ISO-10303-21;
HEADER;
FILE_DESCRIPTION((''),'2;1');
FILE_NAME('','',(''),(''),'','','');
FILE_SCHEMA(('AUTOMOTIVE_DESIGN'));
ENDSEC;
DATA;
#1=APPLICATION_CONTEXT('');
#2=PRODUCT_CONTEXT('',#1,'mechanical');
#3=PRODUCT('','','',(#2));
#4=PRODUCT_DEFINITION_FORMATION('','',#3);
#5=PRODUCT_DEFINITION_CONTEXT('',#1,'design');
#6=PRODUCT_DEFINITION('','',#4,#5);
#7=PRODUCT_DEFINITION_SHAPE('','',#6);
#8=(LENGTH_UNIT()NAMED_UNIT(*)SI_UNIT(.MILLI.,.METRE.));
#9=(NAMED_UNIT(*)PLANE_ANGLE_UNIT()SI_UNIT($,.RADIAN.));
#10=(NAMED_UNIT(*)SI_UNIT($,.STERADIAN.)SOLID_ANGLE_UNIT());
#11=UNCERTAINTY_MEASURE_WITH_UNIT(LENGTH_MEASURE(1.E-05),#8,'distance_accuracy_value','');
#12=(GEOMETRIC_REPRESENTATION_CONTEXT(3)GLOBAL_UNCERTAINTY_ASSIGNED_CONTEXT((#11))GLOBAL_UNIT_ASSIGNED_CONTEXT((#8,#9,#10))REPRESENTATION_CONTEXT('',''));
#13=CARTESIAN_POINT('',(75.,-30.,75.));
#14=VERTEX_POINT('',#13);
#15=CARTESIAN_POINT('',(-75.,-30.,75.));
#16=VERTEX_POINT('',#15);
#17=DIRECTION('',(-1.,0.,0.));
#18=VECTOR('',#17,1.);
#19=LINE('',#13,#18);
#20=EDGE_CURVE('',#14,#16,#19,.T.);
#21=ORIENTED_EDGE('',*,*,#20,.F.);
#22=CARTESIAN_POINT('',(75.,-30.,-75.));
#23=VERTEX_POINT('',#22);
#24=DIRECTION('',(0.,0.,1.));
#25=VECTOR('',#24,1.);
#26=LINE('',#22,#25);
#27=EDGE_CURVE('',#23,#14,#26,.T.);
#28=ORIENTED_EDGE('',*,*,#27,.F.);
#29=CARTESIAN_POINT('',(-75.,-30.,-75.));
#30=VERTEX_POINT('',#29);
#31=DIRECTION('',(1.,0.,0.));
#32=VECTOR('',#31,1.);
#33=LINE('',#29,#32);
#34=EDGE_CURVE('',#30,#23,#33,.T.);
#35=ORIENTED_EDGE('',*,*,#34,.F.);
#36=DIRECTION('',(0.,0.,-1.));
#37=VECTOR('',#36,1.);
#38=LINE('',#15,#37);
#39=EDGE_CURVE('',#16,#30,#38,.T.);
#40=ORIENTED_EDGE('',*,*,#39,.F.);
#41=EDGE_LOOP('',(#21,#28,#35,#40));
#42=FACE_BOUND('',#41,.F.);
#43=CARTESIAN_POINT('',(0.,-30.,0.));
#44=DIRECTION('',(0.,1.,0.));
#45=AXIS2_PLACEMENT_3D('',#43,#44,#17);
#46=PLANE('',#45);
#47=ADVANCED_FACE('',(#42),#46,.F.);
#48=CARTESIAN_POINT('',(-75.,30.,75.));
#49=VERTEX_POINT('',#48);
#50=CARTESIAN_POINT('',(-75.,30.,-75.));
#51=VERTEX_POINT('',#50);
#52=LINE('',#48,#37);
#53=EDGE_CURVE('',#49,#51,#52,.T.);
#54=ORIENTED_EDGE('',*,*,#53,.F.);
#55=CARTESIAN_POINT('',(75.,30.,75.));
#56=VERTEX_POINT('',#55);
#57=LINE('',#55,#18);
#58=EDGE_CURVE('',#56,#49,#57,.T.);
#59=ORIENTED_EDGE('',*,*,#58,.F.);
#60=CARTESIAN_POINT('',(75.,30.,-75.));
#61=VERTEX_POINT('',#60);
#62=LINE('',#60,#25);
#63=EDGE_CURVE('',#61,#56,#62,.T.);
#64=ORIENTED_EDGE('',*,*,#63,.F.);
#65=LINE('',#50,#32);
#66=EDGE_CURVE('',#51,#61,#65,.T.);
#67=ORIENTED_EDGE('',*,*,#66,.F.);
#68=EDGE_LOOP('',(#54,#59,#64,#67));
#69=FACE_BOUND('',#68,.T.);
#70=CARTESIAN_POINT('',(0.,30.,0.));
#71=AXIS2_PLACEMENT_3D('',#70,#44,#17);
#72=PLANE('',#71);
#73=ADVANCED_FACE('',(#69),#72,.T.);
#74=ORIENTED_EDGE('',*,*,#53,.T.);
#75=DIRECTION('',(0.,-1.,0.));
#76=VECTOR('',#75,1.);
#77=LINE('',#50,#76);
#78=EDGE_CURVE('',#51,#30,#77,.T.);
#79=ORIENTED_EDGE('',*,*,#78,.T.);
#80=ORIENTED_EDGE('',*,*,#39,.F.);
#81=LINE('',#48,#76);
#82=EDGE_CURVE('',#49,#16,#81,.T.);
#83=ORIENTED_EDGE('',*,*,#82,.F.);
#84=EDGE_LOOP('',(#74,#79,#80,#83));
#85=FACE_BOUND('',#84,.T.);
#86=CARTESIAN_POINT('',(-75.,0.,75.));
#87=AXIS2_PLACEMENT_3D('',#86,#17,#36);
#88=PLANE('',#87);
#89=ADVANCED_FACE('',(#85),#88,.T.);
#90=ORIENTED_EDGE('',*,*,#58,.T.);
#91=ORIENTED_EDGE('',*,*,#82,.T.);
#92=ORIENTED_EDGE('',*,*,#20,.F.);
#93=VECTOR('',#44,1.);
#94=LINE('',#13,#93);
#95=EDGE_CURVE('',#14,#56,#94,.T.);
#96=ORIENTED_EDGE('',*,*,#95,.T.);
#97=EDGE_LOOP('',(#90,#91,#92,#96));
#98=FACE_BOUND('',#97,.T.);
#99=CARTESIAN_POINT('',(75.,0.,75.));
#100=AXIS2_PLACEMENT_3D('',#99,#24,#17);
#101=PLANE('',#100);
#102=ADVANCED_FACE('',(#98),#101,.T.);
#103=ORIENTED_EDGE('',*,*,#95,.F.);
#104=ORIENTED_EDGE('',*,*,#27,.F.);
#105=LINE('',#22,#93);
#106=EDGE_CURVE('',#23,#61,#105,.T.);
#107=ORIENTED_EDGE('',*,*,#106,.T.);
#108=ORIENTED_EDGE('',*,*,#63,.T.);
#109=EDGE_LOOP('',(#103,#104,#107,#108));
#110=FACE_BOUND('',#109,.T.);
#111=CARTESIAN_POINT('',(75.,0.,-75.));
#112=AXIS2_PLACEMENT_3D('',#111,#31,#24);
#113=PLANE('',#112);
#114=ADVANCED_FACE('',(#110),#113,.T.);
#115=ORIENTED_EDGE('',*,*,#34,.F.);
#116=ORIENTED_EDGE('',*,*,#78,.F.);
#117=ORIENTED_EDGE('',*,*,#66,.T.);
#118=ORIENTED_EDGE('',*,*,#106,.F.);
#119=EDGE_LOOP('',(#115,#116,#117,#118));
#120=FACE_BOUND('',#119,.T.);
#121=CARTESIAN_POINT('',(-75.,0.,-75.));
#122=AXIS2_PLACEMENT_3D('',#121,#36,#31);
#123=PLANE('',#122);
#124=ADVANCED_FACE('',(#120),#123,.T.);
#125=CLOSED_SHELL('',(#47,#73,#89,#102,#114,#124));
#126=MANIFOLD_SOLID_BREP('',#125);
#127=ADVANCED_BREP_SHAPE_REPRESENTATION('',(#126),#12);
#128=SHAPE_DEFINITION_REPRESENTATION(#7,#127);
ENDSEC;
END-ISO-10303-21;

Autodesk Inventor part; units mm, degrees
ref_plane "YZ Plane" through (0, 0, 0) normal (1, 0, 0) x (0, 1, 0)
ref_plane "XZ Plane" through (0, 0, 0) normal (0, 1, 0) x (-1, 0, 0)
ref_plane "XY Plane" through (0, 0, 0) normal (0, 0, 1) x (1, 0, 0)
sketch "Sketch1" plane through (0, 0, 0) normal (0, 1, 0) x (-1, 0, 0)
  line L0 (-75, 75) -> (75, 75)
  line L1 (75, 75) -> (75, -75)
  line L2 (75, -75) -> (-75, -75)
  line L3 (-75, -75) -> (-75, 75)
  line L4 (-75, 75) -> (75, -75) construction
  line L5 (75, 75) -> (-75, -75) construction
  point P0 (0, 0)
  dimension "d0" = 150
  dimension "d1" = 150
extrude "Extrusion1" add sketch "Sketch1" along normal mid plane 60
equation "\"d0\" = stock_xw"
equation "\"d1\" = stock_yw"
equation "\"d2\" = stock_zw"
equation "\"stock_xw\" = 150"
equation "\"stock_yw\" = 150"
equation "\"stock_zw\" = 60"
properties part number "SquareStock"
